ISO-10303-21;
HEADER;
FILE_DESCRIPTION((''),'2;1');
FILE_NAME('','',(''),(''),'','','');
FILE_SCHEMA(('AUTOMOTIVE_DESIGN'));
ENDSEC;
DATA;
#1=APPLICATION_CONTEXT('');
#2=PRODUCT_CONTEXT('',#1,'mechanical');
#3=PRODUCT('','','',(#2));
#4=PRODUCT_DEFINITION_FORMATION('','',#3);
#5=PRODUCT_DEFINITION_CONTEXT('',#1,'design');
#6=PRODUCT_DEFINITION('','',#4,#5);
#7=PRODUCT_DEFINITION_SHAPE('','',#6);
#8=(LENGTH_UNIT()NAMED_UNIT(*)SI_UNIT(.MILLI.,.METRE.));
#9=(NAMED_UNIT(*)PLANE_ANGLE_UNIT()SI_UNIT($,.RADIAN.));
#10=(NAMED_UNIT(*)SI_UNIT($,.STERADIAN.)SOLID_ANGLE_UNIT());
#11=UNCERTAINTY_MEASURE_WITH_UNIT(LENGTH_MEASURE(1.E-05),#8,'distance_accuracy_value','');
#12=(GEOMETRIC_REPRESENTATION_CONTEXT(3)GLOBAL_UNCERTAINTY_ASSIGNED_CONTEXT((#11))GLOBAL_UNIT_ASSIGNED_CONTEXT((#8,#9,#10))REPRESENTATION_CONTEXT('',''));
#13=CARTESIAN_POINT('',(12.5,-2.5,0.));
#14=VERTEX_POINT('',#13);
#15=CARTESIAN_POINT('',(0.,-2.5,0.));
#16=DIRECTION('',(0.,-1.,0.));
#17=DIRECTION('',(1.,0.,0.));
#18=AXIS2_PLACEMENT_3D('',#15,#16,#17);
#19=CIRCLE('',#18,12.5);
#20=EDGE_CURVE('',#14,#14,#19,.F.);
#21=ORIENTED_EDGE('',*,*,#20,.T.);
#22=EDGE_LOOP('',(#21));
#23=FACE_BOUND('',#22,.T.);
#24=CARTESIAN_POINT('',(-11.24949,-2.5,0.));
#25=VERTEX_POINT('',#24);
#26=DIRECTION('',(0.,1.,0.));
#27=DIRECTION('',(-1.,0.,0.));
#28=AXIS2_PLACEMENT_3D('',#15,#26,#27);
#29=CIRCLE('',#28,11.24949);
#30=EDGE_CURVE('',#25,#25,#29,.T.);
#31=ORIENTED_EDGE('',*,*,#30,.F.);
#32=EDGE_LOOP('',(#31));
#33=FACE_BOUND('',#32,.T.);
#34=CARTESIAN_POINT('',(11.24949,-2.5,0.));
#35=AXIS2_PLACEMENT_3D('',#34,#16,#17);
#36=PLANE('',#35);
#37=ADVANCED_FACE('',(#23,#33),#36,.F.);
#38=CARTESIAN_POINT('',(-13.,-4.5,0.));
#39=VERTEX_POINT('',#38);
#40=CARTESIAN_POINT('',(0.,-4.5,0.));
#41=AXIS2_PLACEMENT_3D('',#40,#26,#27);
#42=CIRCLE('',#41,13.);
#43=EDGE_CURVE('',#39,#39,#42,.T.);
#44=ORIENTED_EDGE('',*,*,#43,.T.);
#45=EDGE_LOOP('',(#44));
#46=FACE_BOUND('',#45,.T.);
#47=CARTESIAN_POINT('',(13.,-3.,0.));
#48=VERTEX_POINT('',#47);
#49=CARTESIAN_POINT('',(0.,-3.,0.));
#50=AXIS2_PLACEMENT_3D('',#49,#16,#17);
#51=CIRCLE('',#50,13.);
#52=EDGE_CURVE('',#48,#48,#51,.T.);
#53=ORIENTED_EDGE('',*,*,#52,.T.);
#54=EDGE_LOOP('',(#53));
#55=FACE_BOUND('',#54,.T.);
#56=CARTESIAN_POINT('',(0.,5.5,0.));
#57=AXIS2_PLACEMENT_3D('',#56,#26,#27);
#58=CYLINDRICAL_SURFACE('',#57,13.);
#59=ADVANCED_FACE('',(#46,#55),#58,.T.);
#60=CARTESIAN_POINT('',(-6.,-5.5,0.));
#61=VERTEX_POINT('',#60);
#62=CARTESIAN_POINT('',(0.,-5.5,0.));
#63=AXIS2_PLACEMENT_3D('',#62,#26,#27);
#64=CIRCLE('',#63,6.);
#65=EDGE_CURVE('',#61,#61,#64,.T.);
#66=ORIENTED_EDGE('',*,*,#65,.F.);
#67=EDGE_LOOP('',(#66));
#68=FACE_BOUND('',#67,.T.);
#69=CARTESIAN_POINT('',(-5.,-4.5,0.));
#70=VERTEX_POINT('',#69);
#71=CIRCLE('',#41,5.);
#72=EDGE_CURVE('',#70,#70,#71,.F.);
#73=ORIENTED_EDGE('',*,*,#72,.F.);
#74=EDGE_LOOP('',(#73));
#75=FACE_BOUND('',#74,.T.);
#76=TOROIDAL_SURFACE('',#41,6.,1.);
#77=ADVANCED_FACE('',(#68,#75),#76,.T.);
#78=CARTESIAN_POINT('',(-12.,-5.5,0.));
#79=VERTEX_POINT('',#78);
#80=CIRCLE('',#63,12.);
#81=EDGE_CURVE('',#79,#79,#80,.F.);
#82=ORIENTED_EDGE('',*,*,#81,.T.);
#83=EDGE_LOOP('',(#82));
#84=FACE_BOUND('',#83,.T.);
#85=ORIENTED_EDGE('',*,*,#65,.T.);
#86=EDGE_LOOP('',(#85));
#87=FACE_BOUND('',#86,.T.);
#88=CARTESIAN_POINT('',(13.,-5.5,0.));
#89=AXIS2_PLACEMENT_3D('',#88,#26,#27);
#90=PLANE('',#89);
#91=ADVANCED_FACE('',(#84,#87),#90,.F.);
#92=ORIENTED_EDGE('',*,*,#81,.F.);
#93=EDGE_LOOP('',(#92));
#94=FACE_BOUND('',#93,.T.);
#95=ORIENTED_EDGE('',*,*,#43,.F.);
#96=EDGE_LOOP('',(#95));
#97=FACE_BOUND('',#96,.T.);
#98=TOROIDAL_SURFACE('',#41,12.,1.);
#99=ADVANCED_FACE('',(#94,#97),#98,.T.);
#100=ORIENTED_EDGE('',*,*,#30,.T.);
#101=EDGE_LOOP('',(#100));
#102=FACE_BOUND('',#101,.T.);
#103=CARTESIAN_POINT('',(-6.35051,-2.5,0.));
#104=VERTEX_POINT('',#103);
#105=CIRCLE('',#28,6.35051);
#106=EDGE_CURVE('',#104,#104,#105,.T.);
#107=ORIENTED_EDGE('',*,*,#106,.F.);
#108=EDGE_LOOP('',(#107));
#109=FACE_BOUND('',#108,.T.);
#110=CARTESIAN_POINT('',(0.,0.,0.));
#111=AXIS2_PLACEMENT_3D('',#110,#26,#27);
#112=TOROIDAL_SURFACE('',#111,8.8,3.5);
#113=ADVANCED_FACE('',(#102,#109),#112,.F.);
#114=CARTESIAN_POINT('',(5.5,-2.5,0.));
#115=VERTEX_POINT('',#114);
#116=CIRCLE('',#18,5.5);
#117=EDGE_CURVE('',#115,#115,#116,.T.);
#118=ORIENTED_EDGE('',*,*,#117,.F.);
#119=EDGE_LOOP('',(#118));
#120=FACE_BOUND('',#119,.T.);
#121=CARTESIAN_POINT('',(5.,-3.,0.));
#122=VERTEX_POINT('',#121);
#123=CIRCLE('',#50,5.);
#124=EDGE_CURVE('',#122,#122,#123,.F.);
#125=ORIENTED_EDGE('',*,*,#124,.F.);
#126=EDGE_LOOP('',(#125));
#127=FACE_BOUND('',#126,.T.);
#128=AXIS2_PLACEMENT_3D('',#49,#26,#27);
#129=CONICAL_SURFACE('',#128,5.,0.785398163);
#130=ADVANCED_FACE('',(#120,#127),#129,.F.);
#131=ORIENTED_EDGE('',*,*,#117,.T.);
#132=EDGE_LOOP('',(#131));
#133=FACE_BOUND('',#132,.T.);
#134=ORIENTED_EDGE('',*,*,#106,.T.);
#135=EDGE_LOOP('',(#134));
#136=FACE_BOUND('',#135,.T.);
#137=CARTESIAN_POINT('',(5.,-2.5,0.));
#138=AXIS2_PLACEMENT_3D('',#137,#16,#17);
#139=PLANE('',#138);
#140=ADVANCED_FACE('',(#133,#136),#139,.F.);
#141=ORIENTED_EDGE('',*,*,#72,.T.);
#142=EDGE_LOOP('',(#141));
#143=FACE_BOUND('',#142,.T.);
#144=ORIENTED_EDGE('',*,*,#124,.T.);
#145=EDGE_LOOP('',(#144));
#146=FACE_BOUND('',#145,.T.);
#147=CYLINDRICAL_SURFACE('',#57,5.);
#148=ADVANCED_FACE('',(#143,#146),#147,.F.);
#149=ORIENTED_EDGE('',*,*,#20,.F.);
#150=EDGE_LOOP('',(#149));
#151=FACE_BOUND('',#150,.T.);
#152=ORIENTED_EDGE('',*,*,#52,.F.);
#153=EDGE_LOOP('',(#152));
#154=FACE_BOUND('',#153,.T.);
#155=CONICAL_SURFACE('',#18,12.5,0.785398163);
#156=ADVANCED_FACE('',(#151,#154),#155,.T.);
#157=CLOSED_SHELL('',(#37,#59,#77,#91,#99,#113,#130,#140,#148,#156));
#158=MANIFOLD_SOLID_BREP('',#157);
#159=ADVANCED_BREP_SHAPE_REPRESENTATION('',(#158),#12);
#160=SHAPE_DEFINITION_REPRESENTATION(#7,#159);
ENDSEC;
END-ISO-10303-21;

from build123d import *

# Parameters (mm, degrees)
CHAMFER1_SIZE = 0.5
FILLET2_R     = 1


with BuildPart() as part:
    # Sketch1 → Revolve1 (revolve)
    with BuildSketch(Plane.XY, mode=Mode.PRIVATE) as revolve1_sk:
        with BuildLine():
            Line((5, -2.5), (6.350510257, -2.5))
            ThreePointArc((6.350510257, -2.5), (8.8, -3.5), (11.249489743, -2.5))
            Line((11.249489743, -2.5), (13, -2.5))
            Line((13, -2.5), (13, -5.5))
            Line((13, -5.5), (5, -5.5))
            Line((5, -5.5), (5, -2.5))
        make_face()
    revolve(revolve1_sk.sketch.rotate(Axis((0, 5.5, 0), (0, -1, 0)), 180), axis=Axis((0, 5.5, 0), (0, -1, 0)))

    # Chamfer1
    chamfer1_edges = [part.edges().sort_by_distance(p)[0] for p in [
        (5, -2.5, 0),
        (13, -2.5, 0),
    ]]
    chamfer(chamfer1_edges, length=CHAMFER1_SIZE)

    # Fillet2
    fillet2_edges = [part.edges().sort_by_distance(p)[0] for p in [
        (13, -5.5, 0),
        (5, -5.5, 0),
    ]]
    fillet(fillet2_edges, radius=FILLET2_R)


solid = part.part
